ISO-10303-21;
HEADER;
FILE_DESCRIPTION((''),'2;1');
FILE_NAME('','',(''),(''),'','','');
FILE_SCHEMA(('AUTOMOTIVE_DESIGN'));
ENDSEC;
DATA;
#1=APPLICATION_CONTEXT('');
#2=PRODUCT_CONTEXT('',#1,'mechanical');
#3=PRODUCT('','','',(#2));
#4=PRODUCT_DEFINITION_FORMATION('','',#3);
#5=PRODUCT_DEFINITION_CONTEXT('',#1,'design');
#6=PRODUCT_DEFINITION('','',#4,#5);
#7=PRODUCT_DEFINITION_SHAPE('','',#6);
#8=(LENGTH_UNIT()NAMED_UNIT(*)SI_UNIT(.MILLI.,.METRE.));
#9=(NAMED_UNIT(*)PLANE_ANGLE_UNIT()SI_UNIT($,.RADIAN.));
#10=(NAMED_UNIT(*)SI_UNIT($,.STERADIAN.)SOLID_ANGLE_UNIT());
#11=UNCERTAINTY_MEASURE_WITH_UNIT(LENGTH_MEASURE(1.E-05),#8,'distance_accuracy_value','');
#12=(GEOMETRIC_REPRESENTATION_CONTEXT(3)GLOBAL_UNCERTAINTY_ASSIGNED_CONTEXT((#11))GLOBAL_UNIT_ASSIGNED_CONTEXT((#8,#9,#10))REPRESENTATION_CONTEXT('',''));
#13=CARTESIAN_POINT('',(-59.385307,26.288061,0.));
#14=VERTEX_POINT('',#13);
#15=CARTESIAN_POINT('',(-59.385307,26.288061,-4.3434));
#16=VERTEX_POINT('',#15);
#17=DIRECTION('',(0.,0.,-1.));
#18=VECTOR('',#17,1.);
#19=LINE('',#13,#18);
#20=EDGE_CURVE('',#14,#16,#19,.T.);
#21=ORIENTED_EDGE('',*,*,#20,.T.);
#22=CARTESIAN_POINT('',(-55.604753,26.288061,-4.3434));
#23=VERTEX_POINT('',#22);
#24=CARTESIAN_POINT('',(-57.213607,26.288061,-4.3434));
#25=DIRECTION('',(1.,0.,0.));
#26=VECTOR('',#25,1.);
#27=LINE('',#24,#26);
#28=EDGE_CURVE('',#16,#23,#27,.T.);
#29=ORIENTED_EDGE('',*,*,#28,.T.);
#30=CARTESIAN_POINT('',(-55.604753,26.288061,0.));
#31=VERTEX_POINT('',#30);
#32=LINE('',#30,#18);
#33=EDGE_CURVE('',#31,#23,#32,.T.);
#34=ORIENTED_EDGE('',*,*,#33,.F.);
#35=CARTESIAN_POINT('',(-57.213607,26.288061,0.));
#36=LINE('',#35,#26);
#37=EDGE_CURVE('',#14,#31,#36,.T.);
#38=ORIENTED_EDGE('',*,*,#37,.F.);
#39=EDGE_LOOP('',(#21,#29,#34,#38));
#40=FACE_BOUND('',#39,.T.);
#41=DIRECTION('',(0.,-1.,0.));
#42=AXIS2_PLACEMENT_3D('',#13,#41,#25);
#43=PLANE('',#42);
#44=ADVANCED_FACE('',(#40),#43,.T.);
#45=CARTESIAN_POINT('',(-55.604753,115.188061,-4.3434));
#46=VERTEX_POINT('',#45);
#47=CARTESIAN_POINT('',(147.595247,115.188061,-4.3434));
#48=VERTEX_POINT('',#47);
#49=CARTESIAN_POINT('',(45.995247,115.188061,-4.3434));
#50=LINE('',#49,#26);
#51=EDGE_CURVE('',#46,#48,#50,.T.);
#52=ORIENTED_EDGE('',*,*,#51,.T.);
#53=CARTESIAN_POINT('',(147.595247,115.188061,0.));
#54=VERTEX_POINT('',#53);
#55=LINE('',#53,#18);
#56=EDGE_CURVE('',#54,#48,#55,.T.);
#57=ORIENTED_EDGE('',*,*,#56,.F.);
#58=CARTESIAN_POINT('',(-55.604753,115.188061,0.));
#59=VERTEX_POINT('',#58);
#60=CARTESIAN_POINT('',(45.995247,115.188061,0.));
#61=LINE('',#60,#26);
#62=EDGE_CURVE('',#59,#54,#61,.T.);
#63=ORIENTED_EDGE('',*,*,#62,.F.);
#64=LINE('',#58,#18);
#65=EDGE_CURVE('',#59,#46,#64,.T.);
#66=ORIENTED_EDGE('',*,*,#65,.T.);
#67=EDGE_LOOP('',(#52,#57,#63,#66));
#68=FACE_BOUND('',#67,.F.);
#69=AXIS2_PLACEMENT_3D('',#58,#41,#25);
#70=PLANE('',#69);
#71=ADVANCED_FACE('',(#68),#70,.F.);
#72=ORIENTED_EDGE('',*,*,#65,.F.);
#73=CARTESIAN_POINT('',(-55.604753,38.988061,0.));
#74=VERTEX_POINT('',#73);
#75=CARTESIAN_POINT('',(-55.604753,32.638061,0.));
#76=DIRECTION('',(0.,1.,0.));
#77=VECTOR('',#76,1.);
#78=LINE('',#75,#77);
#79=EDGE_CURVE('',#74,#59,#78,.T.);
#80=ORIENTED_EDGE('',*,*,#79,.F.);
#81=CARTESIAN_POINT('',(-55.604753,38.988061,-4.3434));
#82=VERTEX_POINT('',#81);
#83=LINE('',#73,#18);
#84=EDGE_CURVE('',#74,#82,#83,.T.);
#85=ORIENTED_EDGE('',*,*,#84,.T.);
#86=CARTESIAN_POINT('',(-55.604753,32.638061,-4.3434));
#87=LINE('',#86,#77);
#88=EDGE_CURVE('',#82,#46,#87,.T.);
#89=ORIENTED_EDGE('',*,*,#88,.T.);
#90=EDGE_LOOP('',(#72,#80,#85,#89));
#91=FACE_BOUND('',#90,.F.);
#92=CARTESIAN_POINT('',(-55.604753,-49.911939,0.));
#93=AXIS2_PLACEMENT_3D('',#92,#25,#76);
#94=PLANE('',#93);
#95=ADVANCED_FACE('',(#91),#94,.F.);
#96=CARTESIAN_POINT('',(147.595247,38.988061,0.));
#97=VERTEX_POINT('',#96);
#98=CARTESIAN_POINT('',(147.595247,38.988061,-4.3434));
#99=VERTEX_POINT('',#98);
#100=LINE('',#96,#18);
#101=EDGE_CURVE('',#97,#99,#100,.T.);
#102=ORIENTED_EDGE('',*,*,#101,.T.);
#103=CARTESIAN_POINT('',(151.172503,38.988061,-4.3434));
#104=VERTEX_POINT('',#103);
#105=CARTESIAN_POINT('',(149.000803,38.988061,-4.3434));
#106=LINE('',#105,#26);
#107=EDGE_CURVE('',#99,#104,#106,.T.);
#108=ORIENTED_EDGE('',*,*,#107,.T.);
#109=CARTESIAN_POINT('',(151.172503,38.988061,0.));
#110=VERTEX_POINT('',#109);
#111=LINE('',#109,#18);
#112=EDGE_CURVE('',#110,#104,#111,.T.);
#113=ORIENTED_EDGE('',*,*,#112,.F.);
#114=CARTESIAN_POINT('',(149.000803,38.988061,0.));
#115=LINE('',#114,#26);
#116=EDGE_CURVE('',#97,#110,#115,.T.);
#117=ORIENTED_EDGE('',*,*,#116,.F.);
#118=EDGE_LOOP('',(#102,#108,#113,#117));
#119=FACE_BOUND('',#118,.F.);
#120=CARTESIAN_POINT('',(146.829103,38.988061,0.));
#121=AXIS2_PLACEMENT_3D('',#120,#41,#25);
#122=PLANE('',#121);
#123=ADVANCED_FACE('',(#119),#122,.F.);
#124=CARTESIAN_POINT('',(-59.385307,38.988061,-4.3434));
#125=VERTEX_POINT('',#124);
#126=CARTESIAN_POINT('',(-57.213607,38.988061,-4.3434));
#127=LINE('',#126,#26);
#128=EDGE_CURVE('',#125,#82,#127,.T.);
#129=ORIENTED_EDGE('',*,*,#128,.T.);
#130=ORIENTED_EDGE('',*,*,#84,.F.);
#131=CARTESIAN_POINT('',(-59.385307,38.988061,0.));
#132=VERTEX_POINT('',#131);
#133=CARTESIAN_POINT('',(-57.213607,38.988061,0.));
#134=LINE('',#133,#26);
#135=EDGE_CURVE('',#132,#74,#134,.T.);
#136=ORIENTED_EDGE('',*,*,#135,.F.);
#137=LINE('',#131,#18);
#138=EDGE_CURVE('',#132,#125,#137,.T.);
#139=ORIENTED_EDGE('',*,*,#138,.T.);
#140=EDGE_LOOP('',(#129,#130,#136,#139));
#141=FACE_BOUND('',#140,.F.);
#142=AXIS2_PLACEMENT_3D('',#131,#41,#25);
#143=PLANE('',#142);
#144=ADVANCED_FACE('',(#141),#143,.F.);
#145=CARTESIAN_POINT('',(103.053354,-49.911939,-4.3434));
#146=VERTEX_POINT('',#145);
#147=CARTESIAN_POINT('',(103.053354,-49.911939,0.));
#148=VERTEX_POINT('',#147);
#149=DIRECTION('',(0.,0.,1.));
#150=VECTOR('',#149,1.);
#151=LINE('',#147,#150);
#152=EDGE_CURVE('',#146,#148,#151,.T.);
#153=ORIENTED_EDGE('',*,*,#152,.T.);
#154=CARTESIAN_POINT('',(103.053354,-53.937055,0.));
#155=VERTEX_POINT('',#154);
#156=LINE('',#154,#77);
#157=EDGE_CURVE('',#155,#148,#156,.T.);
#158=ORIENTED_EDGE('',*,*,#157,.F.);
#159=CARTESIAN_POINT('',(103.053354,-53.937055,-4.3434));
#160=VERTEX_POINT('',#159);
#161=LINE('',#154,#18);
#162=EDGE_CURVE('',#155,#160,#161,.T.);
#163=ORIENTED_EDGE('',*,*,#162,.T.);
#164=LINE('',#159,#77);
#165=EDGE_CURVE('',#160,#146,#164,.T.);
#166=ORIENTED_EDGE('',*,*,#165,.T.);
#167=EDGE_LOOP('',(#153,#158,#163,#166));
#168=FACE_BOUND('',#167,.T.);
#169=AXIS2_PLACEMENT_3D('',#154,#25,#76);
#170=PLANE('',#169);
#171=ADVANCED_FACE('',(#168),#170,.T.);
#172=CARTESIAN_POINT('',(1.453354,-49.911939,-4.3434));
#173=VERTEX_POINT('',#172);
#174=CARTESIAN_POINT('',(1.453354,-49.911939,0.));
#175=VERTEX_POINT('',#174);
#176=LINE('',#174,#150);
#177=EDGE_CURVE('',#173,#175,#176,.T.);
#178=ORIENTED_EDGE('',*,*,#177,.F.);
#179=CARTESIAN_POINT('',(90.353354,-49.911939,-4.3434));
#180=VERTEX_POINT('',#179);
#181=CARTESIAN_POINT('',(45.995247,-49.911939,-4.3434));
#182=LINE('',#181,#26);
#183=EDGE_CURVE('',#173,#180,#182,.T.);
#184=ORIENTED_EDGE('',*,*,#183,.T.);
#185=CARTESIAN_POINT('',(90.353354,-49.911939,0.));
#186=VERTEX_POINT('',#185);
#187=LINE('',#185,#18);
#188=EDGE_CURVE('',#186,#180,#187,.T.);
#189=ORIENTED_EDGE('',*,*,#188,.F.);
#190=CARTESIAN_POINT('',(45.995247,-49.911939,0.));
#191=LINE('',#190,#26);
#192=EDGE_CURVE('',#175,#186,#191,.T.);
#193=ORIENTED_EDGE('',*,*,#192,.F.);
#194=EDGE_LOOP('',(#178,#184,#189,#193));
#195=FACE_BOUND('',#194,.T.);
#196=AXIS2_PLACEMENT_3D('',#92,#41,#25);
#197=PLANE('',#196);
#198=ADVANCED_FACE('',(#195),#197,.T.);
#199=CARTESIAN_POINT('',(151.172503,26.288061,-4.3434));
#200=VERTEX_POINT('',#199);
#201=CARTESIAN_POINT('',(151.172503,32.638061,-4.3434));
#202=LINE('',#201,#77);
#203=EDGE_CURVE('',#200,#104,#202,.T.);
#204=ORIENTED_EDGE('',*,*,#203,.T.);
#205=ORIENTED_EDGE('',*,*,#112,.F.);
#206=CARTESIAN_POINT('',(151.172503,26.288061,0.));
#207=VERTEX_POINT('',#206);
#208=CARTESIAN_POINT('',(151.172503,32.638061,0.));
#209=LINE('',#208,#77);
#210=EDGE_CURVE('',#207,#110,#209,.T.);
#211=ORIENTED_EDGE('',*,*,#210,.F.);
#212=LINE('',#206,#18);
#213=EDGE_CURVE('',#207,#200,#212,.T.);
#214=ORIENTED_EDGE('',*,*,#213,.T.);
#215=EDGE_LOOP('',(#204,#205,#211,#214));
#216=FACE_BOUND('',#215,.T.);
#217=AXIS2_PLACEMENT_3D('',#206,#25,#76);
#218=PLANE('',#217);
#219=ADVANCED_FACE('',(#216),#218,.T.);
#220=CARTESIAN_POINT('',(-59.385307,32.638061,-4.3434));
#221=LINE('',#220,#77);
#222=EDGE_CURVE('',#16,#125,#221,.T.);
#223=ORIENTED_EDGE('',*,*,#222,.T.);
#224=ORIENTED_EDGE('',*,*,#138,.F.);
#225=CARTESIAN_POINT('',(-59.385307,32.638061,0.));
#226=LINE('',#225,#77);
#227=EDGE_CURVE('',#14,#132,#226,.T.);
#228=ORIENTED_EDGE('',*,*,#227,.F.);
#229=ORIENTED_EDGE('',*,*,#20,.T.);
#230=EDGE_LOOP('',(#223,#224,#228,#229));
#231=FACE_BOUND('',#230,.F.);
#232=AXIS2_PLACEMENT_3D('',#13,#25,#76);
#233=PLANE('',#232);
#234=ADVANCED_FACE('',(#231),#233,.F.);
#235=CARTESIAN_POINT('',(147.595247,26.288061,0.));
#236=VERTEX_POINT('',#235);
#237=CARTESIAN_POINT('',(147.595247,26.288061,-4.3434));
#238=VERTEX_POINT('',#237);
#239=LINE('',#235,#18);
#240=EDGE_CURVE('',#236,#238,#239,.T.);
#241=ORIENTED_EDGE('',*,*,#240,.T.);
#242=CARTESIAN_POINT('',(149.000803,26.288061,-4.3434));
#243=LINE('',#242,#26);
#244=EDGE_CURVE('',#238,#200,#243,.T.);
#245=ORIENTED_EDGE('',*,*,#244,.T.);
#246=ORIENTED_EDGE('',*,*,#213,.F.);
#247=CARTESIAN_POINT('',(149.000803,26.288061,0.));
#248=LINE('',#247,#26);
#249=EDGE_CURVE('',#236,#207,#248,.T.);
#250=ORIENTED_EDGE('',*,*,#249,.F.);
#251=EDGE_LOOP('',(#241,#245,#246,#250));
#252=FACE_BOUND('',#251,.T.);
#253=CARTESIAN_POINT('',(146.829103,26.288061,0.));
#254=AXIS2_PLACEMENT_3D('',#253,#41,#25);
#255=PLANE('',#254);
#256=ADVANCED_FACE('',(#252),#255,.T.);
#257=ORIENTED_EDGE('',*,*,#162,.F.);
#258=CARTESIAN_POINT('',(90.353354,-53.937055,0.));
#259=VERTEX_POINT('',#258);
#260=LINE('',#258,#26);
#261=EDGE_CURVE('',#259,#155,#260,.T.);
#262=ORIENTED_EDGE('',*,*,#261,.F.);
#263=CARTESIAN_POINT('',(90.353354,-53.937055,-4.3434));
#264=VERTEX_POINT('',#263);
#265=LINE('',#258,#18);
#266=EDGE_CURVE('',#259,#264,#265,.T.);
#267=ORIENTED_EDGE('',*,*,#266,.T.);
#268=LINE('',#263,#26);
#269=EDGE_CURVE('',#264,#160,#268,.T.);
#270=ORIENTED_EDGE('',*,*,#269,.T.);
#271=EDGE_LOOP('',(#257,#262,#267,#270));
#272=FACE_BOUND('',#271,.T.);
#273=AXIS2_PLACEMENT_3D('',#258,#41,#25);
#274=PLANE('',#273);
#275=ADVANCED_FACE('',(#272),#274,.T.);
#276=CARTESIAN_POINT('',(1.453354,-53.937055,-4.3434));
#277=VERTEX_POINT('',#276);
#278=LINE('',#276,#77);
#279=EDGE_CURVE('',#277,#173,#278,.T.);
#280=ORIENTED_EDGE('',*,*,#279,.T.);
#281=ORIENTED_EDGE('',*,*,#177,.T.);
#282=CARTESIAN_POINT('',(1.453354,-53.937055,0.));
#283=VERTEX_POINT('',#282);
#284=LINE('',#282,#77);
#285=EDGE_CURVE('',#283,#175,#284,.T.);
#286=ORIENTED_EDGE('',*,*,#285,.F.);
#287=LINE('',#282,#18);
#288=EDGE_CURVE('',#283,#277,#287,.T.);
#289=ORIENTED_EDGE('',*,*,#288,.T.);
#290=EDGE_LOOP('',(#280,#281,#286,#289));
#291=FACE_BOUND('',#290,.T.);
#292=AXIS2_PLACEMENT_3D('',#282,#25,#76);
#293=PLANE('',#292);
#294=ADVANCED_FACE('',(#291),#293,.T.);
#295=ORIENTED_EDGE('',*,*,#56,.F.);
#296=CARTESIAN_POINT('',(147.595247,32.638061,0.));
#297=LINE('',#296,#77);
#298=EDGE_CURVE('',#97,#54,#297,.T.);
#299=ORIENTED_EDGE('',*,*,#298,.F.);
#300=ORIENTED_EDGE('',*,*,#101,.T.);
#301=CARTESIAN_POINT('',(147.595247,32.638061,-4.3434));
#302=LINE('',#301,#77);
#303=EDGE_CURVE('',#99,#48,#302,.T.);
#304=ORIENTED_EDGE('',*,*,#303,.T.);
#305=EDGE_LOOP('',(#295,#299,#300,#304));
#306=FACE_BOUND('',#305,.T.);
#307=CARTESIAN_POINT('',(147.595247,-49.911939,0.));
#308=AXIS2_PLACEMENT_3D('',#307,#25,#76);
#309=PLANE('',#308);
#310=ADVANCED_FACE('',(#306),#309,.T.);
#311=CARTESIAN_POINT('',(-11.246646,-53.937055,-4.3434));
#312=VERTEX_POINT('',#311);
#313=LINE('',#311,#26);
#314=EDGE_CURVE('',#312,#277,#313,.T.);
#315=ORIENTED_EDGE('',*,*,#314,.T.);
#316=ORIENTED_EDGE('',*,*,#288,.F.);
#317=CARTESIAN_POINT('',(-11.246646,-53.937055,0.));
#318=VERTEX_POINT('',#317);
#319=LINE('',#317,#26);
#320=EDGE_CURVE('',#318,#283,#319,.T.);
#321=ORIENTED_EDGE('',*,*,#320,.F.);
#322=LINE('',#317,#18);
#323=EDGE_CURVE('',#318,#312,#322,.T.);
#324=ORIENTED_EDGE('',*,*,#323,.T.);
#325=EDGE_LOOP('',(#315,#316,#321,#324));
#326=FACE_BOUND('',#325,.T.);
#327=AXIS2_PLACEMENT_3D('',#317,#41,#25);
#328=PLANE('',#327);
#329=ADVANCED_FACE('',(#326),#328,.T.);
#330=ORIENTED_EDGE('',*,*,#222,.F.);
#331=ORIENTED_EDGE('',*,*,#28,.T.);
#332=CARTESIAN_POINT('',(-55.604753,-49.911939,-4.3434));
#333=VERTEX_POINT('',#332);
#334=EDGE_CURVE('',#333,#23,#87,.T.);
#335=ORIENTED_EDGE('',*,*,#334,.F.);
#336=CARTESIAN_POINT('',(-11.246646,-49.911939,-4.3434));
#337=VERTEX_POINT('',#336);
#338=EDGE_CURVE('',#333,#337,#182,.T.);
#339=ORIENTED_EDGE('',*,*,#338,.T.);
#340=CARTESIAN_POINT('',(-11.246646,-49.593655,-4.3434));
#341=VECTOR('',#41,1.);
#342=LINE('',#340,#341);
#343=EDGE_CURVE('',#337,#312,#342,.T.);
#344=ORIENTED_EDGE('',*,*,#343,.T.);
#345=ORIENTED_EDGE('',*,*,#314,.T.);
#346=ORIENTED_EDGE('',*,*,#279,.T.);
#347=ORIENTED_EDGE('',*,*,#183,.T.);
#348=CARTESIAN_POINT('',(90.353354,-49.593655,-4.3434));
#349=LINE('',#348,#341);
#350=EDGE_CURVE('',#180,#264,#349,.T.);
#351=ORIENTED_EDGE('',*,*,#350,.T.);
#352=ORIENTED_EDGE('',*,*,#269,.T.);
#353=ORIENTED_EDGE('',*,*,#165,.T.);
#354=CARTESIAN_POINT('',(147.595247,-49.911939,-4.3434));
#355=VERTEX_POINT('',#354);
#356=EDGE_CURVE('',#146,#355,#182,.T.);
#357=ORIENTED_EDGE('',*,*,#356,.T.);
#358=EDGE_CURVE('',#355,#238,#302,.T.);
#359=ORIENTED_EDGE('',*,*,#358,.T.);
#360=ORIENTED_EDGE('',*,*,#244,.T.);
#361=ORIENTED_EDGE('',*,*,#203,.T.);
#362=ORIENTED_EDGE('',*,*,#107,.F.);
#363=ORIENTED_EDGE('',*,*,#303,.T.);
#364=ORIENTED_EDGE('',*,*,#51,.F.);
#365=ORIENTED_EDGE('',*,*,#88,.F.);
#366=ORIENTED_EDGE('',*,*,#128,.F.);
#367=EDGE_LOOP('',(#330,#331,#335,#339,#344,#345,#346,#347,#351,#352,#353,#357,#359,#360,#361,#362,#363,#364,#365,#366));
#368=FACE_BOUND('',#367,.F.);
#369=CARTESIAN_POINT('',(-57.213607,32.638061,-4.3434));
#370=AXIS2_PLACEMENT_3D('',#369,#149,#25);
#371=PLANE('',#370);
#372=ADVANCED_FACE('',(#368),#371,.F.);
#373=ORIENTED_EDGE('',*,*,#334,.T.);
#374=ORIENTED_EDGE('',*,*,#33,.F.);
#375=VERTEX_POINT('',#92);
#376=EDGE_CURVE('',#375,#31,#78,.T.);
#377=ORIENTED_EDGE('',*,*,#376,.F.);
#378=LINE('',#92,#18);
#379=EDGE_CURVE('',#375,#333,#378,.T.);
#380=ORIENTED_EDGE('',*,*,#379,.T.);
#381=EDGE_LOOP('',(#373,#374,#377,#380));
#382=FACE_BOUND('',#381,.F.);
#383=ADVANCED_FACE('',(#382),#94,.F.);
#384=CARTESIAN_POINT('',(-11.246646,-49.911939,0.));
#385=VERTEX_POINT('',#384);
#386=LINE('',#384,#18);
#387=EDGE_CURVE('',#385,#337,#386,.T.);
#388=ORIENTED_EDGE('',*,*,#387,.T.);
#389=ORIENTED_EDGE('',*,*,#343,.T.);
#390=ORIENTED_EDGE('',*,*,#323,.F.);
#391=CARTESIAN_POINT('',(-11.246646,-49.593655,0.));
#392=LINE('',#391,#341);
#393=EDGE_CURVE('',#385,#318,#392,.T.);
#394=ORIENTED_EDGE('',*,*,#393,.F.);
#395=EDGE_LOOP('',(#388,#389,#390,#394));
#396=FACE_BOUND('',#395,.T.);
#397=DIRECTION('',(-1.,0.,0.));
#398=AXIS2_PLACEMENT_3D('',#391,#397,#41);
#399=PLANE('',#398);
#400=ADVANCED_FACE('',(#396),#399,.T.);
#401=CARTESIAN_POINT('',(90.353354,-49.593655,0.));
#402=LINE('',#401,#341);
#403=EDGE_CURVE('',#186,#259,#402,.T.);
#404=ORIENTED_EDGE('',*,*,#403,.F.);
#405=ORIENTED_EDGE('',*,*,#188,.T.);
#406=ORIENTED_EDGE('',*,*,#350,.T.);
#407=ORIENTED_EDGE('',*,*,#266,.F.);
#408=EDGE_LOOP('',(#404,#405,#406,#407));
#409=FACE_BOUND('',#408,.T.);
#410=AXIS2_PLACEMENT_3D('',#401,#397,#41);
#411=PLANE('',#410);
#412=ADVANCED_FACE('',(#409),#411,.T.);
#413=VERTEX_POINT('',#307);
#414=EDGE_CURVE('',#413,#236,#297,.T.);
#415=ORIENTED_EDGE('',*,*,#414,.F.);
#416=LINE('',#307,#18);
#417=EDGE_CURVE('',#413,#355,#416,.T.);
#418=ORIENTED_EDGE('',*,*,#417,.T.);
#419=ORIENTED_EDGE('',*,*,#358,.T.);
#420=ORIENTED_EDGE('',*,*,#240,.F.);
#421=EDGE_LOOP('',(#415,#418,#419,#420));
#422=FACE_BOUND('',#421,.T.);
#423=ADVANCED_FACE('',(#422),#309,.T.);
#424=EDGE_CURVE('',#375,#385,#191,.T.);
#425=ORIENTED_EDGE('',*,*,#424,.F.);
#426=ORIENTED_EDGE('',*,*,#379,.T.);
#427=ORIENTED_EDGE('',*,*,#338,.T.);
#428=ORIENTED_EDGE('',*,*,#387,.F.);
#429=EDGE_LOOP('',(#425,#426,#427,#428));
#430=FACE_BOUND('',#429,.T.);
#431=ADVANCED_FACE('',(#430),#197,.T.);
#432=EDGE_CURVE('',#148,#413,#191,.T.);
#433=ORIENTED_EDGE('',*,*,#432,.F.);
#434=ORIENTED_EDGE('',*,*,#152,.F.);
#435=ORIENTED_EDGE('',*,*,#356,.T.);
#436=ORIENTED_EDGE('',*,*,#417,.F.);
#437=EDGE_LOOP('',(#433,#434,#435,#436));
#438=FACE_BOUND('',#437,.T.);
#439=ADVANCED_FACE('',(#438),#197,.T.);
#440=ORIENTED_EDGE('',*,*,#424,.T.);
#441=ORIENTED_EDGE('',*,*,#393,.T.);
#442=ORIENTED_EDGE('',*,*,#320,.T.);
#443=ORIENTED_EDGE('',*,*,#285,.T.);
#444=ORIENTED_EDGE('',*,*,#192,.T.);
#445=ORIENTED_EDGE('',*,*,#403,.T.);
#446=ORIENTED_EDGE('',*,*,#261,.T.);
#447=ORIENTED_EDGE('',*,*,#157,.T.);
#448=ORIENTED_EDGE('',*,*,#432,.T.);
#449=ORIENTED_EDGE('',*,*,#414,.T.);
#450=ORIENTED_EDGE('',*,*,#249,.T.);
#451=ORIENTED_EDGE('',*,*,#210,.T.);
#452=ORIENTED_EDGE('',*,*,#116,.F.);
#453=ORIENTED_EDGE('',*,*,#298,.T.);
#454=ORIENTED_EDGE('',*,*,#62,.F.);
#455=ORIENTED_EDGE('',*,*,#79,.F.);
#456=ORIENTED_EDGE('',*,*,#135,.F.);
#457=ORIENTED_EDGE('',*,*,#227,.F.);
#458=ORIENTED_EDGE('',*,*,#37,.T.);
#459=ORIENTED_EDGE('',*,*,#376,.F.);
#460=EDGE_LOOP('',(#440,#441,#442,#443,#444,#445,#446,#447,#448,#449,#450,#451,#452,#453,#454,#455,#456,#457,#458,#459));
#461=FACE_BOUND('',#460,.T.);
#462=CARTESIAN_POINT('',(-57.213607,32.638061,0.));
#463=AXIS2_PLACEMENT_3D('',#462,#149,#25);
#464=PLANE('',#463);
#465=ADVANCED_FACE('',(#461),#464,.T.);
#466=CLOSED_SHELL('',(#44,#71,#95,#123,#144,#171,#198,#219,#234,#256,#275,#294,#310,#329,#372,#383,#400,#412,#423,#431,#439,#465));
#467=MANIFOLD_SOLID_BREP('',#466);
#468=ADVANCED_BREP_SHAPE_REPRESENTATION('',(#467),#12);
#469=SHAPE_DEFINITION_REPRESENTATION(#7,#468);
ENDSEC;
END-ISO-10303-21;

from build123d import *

# Parameters (mm, degrees)
F0_W     = 203.2
F0_H     = 165.1
F1_DEPTH = 4.3434
F3_DEPTH = 4.3434
F4_W     = 4.3434
F4_H     = 12.7
F5_DEPTH = 4.3434


with BuildPart() as f1:
    # F0 (on Top) → F1 (new body)
    with BuildSketch(Plane.XY):
        with Locations((45.995247, 32.638061)):
            Rectangle(F0_W, F0_H)
    extrude(amount=-F1_DEPTH)

    # F2 (on Top) → F3 (join)
    with BuildSketch(Plane.XY):
        Polygon((-4.896646, -49.593655), (-11.246646, -49.593655), (-11.246646, -53.937055), (-4.896646, -53.937055), (1.453354, -53.937055), (1.453354, -49.593655), align=None)
        Polygon((103.053354, -53.937055), (103.053354, -49.593655), (96.703354, -49.593655), (90.353354, -49.593655), (90.353354, -53.937055), (96.703354, -53.937055), align=None)
    extrude(amount=-F3_DEPTH)

    # F4 (on Top) → F5 (join)
    with BuildSketch(Plane.XY):
        with Locations((-57.213607, 32.638061)):
            Rectangle(F4_W, F4_H)
        with Locations((149.000803, 32.638061)):
            Rectangle(F4_W, F4_H)
    extrude(amount=-F5_DEPTH)


solid = f1.part
